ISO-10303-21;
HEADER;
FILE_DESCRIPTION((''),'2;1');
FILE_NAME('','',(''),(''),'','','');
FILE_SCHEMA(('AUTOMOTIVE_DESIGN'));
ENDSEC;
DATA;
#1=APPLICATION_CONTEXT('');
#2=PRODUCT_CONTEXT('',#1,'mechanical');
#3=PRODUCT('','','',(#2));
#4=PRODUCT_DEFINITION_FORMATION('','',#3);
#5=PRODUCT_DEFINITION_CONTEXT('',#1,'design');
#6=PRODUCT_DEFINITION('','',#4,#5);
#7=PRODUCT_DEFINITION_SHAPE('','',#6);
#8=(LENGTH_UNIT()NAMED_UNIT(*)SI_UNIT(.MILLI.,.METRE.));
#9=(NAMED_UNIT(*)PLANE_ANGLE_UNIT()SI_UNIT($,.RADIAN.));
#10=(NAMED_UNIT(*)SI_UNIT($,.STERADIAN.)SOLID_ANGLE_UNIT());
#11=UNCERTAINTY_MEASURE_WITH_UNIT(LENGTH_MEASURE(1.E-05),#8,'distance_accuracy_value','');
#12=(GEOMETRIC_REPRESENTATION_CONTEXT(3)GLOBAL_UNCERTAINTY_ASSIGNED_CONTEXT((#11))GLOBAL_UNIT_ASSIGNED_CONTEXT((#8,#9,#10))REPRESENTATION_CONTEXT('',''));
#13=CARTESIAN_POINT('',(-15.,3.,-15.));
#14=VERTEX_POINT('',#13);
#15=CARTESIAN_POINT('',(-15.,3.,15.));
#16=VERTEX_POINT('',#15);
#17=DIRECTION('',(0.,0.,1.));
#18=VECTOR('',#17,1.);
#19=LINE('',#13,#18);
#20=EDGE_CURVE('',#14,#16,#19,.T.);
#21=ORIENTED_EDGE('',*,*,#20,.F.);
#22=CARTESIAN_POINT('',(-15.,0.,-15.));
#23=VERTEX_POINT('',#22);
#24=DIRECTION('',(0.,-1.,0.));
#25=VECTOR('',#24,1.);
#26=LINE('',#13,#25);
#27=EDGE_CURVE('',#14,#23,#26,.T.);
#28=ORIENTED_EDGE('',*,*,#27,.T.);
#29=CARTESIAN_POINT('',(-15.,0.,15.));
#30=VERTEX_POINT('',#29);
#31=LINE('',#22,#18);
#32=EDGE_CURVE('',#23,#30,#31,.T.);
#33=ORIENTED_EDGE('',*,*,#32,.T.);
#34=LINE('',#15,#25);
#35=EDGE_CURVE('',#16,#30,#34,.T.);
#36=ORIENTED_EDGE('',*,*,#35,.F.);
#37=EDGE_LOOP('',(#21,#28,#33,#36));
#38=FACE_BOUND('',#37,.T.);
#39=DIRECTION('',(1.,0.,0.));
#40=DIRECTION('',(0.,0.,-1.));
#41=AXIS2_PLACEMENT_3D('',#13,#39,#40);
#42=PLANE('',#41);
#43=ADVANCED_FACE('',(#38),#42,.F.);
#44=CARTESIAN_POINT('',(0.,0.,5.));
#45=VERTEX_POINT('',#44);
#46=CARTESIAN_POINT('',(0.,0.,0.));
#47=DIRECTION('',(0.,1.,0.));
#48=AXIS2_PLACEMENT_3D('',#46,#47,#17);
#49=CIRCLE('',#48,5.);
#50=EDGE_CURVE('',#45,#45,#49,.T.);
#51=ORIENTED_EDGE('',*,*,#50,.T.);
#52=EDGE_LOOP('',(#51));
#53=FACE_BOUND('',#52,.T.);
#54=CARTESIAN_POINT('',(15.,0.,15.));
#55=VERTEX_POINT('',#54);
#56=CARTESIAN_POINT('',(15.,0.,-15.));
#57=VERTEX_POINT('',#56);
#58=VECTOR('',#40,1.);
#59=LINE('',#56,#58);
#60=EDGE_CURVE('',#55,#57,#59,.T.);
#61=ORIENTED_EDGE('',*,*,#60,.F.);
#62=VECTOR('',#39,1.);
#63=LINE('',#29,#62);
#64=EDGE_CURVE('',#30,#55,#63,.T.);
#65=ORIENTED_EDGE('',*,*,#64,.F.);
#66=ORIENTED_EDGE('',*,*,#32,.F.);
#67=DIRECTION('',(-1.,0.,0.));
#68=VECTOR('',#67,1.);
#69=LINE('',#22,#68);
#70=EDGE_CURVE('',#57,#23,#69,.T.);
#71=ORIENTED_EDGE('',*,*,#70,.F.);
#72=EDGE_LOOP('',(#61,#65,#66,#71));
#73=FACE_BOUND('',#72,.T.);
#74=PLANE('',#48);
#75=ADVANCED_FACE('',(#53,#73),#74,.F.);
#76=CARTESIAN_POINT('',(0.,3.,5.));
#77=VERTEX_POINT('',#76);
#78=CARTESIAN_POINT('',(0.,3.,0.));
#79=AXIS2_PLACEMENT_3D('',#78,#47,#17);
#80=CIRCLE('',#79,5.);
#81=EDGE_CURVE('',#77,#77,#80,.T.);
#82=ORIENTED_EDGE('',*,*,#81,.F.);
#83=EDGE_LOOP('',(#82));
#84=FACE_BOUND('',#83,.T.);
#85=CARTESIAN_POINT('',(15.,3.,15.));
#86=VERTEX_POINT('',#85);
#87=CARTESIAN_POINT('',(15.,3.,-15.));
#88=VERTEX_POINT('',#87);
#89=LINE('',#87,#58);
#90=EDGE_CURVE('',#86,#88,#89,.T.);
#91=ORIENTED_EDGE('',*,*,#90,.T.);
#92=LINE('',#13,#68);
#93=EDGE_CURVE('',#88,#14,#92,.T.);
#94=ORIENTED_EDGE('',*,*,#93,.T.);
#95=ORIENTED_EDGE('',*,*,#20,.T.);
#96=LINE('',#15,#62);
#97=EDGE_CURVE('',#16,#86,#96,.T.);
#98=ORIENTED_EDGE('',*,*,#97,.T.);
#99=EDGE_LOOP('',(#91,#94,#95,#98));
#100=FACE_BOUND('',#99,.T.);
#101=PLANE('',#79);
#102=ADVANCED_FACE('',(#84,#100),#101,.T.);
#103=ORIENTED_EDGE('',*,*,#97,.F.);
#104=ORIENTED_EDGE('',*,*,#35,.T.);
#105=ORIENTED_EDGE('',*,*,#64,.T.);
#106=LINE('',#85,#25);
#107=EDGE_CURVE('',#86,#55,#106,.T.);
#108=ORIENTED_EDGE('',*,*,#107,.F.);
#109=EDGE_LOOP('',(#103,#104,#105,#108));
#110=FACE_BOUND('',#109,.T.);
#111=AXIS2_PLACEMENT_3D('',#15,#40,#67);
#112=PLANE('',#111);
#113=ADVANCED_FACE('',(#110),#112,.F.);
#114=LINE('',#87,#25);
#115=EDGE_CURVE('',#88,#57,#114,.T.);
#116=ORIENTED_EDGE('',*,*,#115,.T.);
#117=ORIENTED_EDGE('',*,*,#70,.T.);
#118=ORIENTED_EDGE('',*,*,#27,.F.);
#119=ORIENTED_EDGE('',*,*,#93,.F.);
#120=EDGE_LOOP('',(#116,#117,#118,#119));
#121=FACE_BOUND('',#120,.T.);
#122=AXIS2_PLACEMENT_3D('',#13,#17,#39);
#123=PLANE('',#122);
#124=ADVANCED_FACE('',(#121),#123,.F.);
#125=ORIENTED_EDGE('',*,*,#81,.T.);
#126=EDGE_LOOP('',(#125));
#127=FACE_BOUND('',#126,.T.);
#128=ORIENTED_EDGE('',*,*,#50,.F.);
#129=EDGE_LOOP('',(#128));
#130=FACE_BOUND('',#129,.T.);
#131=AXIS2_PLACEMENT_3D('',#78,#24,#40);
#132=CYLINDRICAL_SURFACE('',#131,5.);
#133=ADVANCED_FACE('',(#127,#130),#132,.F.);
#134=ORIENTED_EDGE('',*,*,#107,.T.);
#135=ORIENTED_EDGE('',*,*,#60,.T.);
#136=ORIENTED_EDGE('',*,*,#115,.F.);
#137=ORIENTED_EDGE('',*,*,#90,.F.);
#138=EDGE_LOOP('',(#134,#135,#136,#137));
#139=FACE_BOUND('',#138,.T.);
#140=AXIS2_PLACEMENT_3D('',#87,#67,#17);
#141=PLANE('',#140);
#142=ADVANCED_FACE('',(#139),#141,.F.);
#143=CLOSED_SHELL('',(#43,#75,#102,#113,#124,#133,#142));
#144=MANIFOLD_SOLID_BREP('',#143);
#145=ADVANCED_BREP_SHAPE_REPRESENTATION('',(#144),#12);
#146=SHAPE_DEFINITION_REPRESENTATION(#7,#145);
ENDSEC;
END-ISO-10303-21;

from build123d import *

# Parameters (mm, degrees)
SKETCH1_W           = 30
SKETCH1_H           = 30
SKETCH1_R           = 5
BOSS_EXTRUDE1_DEPTH = 3


with BuildPart() as part:
    # Sketch1 → Boss-Extrude1 (new body)
    with BuildSketch(Plane(origin=(0, 0, 0), x_dir=(1, 0, 0), z_dir=(0, 1, 0))):
        Rectangle(SKETCH1_W, SKETCH1_H)
        Circle(SKETCH1_R, mode=Mode.SUBTRACT)
    extrude(amount=BOSS_EXTRUDE1_DEPTH)


solid = part.part
